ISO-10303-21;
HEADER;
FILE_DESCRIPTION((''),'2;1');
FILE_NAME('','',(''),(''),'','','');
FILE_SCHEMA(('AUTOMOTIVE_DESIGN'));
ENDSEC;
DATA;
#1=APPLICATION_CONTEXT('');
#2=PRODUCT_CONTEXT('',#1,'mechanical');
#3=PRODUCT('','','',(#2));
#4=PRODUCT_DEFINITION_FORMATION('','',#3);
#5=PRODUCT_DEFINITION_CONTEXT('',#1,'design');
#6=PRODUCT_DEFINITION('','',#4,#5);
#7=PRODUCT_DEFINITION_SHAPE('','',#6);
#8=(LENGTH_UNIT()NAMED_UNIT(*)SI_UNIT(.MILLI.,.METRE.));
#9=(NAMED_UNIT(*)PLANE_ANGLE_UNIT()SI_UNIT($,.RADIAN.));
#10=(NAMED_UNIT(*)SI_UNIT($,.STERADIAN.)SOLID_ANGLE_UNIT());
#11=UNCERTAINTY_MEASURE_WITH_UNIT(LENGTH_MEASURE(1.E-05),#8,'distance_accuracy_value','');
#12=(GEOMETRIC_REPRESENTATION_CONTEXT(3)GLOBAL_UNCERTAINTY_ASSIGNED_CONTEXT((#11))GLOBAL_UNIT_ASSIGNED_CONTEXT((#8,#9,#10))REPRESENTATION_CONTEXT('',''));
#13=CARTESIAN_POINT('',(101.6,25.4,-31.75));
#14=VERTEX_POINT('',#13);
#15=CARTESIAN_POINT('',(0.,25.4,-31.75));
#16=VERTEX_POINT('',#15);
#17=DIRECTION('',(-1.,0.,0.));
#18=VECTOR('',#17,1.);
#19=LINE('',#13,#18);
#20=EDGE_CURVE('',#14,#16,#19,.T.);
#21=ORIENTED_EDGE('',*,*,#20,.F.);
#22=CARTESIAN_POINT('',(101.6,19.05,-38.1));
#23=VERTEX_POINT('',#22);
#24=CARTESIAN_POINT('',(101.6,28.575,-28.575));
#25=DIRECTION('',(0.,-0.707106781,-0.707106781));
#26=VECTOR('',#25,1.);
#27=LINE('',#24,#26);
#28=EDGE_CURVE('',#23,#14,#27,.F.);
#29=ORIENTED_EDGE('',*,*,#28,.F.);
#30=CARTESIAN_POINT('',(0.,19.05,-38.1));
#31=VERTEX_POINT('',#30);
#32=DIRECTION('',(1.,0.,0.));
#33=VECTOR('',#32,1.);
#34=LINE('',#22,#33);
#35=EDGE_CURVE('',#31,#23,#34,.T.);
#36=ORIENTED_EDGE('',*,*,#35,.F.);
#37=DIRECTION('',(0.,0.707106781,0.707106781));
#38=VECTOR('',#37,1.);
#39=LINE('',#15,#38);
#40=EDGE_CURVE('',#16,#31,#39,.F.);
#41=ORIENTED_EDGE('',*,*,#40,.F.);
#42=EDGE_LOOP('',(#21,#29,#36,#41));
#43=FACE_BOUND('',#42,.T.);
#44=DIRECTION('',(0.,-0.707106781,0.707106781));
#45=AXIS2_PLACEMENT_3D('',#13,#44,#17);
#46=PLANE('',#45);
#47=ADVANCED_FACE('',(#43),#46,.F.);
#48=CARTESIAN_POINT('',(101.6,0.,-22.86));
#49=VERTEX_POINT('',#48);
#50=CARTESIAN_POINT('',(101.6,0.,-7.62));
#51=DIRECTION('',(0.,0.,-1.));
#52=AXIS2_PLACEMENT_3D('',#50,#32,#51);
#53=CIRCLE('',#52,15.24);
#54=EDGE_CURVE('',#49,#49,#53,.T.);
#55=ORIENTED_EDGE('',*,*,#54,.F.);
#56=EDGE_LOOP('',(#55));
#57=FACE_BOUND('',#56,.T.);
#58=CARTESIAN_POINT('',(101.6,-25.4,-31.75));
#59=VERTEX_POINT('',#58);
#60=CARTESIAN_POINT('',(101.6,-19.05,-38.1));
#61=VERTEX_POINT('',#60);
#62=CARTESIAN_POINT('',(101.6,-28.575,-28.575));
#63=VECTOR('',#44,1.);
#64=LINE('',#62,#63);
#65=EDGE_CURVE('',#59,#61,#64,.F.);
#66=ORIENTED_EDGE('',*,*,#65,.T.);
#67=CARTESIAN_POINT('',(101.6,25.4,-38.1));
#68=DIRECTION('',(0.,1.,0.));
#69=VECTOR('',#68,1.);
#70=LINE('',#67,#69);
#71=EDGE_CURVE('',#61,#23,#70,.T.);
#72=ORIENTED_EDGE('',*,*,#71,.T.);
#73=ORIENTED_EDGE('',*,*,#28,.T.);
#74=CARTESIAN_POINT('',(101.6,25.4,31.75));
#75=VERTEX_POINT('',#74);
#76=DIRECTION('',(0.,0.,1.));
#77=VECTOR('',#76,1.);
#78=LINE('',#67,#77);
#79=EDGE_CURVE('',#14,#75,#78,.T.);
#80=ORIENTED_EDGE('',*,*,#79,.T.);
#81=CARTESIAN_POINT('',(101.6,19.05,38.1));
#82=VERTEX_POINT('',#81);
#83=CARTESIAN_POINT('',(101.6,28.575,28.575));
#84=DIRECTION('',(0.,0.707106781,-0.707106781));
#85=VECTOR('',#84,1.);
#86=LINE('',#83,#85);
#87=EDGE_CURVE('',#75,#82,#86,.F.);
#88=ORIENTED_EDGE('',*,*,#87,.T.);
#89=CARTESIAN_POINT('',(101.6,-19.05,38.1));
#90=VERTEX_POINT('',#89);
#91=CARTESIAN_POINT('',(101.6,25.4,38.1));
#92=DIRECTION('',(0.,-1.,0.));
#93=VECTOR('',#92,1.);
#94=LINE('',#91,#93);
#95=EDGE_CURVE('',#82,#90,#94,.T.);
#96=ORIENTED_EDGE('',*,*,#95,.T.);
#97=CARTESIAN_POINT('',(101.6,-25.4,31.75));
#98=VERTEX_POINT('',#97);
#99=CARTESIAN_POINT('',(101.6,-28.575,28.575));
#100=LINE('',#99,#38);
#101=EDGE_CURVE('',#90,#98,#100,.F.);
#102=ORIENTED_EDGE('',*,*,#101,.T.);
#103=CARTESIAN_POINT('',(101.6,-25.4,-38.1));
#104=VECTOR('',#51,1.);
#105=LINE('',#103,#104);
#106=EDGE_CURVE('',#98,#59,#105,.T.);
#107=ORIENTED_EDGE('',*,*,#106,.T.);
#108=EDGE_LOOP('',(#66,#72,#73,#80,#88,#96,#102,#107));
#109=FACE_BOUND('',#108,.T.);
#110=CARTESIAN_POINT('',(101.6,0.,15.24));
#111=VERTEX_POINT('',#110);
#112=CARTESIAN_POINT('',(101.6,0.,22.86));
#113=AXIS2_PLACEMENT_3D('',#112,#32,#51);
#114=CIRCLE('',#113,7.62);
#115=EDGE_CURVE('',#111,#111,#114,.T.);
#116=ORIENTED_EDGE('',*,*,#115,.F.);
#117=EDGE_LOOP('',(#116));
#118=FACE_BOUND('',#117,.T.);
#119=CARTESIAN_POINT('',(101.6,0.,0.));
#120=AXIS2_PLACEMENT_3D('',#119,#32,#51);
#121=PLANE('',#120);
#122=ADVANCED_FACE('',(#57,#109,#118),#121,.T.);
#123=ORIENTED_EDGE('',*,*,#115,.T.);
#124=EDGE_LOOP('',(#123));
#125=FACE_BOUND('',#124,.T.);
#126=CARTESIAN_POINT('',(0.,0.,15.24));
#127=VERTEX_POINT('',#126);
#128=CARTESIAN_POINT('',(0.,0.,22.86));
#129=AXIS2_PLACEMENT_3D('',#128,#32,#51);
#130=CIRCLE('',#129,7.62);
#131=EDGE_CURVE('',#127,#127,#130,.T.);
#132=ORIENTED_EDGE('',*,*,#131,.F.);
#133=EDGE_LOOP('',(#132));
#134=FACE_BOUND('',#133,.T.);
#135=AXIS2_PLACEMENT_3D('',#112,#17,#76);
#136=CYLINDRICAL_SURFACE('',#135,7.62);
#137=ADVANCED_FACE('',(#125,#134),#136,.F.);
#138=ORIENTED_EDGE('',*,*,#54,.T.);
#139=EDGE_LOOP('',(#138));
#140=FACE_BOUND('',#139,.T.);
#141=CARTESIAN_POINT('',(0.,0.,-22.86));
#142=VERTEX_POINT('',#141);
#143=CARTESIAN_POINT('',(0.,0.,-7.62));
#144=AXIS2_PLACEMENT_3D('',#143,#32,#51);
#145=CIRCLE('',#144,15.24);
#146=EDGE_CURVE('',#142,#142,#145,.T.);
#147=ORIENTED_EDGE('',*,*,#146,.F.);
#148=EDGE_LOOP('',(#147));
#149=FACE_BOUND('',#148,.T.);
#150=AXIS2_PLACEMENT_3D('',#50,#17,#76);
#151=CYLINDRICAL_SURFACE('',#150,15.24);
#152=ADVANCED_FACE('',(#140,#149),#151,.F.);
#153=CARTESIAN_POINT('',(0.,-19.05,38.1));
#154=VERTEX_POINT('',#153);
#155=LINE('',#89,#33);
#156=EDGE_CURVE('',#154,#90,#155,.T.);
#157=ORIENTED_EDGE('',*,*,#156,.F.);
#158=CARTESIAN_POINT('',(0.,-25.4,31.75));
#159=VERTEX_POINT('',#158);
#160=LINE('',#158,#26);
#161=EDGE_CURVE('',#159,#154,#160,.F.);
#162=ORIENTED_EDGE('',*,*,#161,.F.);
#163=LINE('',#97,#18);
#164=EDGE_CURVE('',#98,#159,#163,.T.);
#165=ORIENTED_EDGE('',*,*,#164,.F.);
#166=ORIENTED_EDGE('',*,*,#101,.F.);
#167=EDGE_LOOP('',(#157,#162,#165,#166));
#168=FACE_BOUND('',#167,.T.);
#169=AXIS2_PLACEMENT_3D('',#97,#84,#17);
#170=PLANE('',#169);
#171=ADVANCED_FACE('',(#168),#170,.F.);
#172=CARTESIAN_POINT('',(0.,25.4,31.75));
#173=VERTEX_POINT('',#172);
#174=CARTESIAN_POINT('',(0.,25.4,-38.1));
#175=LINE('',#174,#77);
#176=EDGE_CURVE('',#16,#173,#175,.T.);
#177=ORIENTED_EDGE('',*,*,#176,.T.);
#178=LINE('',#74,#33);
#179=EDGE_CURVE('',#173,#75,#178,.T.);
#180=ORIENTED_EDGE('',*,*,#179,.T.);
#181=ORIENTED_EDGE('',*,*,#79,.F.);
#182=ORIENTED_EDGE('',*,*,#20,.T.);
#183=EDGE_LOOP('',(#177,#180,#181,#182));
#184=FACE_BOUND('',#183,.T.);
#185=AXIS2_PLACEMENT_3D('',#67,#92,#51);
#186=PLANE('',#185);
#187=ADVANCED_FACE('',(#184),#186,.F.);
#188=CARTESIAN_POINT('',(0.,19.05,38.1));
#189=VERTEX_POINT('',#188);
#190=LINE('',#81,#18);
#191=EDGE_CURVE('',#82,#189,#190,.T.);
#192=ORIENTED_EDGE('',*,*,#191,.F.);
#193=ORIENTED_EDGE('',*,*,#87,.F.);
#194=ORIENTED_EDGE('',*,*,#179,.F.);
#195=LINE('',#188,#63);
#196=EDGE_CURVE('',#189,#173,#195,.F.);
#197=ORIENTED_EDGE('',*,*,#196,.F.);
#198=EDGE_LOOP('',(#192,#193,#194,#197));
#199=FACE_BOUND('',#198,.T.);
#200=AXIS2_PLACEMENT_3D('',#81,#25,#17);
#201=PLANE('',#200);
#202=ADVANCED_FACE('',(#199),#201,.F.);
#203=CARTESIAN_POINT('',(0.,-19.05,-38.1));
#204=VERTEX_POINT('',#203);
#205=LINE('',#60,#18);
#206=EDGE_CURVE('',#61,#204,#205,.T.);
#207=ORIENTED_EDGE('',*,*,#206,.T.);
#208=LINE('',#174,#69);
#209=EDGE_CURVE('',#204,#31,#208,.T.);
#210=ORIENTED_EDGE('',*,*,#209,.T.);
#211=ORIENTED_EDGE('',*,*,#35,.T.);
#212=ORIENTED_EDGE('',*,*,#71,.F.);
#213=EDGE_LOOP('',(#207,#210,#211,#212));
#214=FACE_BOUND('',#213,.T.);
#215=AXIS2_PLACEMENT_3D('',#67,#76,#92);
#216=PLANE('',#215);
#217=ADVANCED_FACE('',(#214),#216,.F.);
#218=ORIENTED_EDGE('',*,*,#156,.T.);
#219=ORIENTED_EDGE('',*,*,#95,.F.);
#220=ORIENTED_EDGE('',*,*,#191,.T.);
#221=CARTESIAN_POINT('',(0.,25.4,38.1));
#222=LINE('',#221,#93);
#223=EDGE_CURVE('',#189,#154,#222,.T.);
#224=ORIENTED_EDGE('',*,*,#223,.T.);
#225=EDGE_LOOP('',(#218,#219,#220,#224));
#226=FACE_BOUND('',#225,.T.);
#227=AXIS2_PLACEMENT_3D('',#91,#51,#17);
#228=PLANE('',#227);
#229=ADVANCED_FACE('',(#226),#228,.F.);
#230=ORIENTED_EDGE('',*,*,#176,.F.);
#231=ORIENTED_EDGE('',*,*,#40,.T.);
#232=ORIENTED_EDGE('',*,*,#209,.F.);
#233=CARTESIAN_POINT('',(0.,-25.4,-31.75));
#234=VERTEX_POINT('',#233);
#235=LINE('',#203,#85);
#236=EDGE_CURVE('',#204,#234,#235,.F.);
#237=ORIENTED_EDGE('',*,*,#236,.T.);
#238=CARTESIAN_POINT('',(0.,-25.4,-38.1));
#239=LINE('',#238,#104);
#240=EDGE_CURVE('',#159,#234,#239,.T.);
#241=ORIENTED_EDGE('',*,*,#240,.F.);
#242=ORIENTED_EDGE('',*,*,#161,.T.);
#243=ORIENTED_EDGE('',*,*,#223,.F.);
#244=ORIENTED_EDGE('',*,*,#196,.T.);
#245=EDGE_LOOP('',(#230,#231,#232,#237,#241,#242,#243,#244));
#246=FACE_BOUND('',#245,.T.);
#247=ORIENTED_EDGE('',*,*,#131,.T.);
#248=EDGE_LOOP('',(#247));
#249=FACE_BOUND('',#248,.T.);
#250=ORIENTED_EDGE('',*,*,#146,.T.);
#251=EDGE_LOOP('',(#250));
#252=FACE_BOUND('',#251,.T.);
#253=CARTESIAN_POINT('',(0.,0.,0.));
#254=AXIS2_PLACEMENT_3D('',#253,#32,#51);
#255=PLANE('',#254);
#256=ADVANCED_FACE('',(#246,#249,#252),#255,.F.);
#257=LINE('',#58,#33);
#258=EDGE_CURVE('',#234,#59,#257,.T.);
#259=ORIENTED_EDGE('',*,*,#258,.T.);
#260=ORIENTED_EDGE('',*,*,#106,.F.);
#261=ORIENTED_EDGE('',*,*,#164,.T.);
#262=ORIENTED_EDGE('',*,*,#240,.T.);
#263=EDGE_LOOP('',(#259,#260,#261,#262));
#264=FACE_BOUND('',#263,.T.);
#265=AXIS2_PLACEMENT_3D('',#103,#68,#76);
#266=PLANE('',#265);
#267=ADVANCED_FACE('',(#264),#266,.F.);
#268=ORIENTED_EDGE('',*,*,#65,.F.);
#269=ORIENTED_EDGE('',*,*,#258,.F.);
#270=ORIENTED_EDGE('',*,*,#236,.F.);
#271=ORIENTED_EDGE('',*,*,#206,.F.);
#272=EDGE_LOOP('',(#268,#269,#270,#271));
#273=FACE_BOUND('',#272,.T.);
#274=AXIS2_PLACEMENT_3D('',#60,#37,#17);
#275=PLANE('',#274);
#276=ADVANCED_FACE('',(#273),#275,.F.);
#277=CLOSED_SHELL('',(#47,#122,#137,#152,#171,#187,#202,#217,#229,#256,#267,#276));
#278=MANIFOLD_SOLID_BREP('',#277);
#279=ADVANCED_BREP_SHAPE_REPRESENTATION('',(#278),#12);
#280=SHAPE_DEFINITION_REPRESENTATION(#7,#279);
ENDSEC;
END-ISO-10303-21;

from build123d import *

# Parameters (mm, degrees)
SKETCH1_W           = 50.8
SKETCH1_H           = 76.2
SKETCH1_R           = 15.24
SKETCH1_R_2         = 7.62
BOSS_EXTRUDE1_DEPTH = 101.6
CHAMFER2_SIZE       = 6.35
CHAMFER1_SIZE       = 6.35


with BuildPart() as part:
    # Sketch1 → Boss-Extrude1 (new body)
    with BuildSketch(Plane.YZ):
        Rectangle(SKETCH1_W, SKETCH1_H)
        with Locations(Location((0, -7.62, 0), (0, 0, 270))):
            Circle(SKETCH1_R, mode=Mode.SUBTRACT)
        with Locations(Location((0, 22.86, 0), (0, 0, 270))):
            Circle(SKETCH1_R_2, mode=Mode.SUBTRACT)
    extrude(amount=BOSS_EXTRUDE1_DEPTH)

    # Chamfer2
    chamfer2_edges = [part.edges().sort_by_distance(p)[0] for p in [
        (50.8, -25.4, 38.1),
        (50.8, -25.4, -38.1),
    ]]
    chamfer(chamfer2_edges, length=CHAMFER2_SIZE)

    # Chamfer1
    chamfer1_edges = [part.edges().sort_by_distance(p)[0] for p in [
        (50.8, 25.4, 38.1),
        (50.8, 25.4, -38.1),
    ]]
    chamfer(chamfer1_edges, length=CHAMFER1_SIZE)


solid = part.part
